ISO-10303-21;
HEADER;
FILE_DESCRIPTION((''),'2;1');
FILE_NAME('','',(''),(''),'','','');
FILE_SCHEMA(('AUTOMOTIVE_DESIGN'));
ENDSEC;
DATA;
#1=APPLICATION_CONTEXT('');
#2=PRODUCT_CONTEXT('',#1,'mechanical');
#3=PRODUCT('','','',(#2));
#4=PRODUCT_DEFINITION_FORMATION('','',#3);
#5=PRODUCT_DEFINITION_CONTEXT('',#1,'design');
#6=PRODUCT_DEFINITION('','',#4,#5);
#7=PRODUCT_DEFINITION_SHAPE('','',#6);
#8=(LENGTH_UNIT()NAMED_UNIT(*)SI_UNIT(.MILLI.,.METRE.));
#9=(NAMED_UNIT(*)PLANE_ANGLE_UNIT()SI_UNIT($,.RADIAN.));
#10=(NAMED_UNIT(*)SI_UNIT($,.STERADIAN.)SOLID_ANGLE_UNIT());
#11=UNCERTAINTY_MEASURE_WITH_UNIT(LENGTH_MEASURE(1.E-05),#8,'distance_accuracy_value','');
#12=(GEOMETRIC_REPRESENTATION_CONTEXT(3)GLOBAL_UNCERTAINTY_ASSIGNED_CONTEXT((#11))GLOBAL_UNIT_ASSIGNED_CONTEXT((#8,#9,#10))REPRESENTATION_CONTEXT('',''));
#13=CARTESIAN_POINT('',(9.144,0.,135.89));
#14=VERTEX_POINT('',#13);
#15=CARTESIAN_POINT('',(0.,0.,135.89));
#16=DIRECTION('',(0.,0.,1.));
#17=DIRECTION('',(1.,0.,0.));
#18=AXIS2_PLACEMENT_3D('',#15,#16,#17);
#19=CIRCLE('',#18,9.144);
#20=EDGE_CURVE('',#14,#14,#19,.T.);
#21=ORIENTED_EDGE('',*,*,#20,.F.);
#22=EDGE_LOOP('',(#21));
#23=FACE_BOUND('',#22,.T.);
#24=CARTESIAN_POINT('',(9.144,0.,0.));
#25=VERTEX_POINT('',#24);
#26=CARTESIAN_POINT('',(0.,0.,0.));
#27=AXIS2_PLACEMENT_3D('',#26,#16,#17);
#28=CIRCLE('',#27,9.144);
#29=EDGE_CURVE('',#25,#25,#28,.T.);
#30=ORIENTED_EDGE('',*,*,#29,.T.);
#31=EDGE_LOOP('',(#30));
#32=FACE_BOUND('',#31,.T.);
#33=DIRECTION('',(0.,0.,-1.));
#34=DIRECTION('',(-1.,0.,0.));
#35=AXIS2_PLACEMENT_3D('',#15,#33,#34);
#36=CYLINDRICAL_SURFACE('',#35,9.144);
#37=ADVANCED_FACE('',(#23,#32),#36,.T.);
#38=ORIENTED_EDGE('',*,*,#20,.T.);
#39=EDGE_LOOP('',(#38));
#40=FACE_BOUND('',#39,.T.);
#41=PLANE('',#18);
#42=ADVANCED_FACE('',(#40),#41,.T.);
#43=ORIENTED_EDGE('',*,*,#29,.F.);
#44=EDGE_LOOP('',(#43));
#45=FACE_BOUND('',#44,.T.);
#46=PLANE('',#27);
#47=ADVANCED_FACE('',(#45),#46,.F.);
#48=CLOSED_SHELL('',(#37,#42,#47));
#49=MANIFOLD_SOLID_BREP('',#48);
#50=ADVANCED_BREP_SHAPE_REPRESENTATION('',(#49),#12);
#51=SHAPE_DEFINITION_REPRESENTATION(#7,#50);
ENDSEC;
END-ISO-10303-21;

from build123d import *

# Parameters (mm, degrees)
SKETCH2_R             = 9.144
THICKER_SECTION_DEPTH = 135.89


with BuildPart() as part:
    # Sketch2 → Thicker Section (new body)
    with BuildSketch(Plane.XY):
        Circle(SKETCH2_R)
    extrude(amount=THICKER_SECTION_DEPTH)


solid = part.part
